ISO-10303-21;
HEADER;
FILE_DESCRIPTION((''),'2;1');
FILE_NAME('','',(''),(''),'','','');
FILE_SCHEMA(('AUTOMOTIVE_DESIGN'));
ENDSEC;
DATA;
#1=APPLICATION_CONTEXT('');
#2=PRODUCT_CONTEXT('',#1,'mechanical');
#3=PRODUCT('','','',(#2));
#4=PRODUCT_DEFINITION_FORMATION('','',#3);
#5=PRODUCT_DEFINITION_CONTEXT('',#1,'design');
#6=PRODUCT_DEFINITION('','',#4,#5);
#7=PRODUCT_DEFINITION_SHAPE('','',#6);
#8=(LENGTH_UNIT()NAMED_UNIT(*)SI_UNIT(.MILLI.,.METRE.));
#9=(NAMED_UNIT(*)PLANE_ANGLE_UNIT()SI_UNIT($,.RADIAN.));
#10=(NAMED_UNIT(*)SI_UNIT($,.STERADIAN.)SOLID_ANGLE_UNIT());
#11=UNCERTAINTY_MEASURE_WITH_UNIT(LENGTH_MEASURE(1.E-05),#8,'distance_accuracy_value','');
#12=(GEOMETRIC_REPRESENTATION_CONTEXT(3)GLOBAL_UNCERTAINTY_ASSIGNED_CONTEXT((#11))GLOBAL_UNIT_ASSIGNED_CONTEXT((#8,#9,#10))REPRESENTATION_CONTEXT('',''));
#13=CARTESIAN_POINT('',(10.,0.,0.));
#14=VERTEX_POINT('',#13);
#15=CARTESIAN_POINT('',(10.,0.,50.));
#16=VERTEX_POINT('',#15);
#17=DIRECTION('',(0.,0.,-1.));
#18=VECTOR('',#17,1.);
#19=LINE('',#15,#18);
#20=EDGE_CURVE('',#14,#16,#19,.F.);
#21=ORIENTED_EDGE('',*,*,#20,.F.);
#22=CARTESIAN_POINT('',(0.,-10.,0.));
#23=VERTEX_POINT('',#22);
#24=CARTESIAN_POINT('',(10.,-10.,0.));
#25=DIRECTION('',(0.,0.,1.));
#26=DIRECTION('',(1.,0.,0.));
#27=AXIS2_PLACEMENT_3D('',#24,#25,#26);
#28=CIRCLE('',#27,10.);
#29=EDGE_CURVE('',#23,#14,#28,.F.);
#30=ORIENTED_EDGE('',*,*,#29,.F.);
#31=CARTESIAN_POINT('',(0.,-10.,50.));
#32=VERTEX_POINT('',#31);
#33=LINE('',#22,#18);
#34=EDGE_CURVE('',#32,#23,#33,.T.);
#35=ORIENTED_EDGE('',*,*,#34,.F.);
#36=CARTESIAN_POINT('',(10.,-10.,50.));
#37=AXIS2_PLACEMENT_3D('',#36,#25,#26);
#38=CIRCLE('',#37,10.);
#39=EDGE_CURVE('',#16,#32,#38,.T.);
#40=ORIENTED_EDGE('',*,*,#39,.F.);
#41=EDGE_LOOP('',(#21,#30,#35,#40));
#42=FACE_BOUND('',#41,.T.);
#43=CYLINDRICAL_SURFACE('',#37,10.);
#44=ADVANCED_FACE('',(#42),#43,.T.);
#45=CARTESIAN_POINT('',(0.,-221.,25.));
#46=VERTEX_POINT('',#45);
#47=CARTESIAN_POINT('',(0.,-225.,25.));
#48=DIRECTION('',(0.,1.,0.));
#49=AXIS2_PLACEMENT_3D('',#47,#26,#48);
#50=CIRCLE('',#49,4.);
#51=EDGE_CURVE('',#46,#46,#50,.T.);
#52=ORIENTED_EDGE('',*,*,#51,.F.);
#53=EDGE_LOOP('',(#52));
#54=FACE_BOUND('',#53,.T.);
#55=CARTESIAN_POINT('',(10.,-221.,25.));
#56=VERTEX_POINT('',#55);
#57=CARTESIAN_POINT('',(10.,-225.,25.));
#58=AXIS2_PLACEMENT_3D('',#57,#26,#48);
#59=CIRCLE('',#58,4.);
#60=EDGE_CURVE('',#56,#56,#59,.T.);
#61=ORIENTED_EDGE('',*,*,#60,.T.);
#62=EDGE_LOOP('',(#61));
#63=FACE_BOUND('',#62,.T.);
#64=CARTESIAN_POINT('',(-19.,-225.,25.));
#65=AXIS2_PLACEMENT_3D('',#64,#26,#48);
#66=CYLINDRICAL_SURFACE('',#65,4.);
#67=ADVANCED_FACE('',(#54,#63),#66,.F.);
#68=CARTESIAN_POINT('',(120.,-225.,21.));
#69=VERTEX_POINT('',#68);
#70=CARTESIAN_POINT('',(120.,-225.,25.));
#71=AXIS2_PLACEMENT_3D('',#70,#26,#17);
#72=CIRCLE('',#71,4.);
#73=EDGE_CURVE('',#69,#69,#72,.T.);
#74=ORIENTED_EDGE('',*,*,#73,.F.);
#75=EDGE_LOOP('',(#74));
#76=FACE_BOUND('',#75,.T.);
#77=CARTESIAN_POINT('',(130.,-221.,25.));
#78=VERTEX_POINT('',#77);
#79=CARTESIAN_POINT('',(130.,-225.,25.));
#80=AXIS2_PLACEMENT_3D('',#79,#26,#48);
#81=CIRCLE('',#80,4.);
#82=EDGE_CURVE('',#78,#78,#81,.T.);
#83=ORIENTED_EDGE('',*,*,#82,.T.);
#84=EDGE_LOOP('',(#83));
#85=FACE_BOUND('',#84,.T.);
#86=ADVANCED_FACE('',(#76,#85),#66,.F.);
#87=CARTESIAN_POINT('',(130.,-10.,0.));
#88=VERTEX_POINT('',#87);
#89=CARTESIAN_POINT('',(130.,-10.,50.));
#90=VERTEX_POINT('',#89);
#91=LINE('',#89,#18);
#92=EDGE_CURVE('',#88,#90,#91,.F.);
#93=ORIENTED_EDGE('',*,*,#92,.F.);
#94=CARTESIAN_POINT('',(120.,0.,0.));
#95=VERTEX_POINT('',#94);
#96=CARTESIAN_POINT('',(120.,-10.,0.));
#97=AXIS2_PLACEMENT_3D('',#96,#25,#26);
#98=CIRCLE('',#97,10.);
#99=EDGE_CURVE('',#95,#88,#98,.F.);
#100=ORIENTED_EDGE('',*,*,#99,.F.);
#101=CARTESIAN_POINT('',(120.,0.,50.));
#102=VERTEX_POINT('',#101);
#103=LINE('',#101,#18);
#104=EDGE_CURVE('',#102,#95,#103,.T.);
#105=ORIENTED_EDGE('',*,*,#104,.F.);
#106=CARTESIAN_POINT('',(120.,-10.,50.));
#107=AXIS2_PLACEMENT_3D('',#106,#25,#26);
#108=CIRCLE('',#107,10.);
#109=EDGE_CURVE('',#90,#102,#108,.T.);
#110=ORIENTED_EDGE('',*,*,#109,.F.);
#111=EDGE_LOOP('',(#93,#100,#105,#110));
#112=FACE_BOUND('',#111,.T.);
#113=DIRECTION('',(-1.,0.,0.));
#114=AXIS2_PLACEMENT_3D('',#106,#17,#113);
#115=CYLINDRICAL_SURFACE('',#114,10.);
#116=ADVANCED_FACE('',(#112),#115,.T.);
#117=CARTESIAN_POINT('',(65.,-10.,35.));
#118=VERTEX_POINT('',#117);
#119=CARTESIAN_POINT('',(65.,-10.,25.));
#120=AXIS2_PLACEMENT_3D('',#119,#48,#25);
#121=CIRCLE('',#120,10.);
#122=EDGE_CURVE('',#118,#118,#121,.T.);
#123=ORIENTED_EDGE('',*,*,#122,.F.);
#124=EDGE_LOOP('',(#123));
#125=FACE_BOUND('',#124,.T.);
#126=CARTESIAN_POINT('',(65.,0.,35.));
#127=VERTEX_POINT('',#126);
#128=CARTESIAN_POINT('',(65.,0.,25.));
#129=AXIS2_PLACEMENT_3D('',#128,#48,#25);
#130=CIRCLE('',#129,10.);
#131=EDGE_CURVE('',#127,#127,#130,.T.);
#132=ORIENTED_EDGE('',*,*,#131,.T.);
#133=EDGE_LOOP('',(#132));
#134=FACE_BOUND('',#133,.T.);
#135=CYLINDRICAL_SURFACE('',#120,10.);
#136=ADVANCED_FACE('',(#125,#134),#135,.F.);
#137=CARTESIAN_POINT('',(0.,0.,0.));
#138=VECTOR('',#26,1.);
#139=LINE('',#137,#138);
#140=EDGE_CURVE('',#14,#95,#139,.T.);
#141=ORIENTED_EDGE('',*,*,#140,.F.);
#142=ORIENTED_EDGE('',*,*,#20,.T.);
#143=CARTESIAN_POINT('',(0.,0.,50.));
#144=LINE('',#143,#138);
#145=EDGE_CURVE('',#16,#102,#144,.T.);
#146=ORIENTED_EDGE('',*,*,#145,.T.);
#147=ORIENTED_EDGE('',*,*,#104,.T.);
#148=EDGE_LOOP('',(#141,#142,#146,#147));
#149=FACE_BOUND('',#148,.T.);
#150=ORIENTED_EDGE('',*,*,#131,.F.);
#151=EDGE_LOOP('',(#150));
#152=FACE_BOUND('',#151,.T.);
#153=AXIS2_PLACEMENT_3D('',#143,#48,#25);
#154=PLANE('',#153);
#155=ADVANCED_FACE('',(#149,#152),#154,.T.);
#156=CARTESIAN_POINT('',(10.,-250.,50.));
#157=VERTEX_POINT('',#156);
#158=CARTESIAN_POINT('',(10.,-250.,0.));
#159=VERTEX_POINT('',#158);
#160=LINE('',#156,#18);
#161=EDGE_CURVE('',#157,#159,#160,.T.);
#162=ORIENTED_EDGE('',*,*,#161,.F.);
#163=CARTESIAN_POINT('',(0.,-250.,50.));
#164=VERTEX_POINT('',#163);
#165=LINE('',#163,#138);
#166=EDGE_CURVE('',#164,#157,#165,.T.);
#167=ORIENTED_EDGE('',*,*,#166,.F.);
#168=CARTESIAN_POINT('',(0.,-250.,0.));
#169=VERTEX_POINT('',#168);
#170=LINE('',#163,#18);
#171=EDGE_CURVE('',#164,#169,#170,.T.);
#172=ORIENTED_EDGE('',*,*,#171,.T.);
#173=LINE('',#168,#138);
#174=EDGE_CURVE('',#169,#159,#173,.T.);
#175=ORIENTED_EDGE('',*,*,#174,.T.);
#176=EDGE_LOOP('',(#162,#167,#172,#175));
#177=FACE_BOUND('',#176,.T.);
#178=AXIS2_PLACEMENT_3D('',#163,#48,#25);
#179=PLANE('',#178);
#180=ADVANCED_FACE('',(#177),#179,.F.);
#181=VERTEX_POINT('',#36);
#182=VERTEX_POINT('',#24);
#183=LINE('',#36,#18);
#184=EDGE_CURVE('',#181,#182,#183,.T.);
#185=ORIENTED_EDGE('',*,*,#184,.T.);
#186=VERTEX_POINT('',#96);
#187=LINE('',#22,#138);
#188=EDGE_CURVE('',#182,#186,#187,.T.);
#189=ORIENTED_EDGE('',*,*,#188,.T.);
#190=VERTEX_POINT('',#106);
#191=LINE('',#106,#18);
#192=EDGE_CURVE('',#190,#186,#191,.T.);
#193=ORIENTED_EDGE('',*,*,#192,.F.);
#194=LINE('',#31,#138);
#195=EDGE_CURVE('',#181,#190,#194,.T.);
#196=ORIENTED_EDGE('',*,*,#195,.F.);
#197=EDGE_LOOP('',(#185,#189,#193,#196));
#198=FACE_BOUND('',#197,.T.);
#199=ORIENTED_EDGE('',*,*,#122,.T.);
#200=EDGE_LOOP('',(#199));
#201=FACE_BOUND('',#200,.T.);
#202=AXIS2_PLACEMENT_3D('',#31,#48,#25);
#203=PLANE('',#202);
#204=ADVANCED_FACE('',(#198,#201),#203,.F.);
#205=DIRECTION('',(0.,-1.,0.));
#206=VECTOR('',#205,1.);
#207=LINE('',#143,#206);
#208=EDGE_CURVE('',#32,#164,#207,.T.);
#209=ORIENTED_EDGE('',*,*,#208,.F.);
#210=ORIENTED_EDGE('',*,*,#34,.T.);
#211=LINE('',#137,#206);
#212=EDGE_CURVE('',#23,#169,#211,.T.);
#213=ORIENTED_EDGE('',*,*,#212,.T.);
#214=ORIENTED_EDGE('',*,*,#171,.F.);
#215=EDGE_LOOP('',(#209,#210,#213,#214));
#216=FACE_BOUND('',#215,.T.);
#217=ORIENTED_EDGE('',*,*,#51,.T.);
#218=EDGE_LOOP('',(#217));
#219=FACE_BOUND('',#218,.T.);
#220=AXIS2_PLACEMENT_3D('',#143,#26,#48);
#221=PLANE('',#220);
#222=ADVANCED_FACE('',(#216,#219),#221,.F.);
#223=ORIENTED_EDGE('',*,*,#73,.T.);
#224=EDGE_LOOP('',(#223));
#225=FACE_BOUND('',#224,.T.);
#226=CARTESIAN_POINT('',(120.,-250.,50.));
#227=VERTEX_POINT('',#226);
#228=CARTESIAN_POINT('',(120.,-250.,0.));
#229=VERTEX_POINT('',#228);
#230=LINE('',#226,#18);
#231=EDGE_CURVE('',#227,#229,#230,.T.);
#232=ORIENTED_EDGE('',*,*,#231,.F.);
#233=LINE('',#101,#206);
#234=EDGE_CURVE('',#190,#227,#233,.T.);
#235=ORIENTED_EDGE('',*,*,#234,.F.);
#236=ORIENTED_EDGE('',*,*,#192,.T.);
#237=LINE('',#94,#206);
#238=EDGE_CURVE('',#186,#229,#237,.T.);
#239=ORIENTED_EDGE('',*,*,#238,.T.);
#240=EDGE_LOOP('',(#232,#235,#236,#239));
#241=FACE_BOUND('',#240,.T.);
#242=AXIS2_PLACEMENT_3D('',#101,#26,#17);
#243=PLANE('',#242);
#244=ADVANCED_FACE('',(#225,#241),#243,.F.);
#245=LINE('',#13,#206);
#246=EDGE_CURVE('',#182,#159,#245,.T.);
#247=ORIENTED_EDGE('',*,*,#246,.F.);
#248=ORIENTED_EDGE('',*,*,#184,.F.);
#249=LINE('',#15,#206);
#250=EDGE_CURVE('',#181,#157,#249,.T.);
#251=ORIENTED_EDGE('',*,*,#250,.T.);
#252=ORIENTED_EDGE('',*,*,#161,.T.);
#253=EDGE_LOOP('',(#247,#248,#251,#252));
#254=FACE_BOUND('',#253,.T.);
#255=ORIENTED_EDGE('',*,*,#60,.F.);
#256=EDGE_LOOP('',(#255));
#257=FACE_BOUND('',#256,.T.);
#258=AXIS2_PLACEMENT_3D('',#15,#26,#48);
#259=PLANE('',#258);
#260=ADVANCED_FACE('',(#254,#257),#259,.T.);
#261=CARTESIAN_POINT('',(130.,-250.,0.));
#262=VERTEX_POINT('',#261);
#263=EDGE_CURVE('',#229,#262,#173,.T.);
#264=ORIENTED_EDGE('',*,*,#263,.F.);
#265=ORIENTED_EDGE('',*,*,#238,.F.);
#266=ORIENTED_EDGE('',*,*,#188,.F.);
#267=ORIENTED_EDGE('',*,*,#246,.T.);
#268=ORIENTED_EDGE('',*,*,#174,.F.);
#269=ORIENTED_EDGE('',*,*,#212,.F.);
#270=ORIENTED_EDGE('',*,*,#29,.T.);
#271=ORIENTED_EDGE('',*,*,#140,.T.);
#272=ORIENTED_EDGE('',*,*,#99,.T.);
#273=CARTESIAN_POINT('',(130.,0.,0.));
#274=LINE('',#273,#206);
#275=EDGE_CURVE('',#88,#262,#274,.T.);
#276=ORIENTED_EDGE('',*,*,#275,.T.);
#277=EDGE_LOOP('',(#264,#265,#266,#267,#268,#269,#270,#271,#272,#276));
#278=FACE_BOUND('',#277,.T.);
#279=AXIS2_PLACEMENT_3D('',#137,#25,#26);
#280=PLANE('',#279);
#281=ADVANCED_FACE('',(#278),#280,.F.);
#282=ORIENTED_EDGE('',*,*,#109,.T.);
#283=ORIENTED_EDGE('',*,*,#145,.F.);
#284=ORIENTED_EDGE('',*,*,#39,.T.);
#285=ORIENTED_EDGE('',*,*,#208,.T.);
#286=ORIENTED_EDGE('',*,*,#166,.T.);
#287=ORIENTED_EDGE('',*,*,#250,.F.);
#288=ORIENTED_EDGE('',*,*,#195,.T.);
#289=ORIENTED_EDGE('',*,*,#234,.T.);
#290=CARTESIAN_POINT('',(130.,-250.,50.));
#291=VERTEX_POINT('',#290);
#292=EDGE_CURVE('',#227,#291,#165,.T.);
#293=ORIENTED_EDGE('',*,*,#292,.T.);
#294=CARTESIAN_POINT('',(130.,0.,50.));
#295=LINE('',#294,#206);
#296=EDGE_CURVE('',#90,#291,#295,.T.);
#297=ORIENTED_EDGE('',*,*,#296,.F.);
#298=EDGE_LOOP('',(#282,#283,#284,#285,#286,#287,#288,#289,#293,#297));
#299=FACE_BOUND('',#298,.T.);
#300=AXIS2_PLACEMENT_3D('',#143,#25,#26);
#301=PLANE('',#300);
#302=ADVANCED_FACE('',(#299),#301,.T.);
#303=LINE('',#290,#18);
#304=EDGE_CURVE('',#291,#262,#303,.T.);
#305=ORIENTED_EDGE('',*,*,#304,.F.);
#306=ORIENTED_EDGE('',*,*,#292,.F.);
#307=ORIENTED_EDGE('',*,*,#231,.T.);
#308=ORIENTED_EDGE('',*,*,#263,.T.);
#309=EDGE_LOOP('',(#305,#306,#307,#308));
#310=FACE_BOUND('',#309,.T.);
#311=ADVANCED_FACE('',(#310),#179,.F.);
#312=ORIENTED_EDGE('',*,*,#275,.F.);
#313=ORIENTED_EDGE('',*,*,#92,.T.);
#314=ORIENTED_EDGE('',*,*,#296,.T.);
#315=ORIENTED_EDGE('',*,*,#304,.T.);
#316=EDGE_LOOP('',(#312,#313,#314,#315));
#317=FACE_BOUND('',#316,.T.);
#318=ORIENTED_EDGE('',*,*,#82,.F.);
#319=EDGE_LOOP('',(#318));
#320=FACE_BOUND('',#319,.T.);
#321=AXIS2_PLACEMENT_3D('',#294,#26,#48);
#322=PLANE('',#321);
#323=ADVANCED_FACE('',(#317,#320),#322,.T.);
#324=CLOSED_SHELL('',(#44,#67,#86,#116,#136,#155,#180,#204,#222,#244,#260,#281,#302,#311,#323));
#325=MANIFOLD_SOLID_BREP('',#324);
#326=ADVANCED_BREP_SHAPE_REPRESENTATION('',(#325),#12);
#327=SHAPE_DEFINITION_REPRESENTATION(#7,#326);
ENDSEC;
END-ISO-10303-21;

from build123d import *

# Parameters (mm, degrees)
SKETCH1_W           = 110
SKETCH1_H           = 10
SKETCH1_W_2         = 10
SKETCH1_H_2         = 250
BOSS_EXTRUDE1_DEPTH = 50
FILLET1_R           = 10
SKETCH2_R           = 4
CUT_EXTRUDE1_DEPTH  = 149
SKETCH3_R           = 10
CUT_EXTRUDE2_DEPTH  = 10


with BuildPart() as part:
    # Sketch1 → Boss-Extrude1 (new body)
    with BuildSketch(Plane.XY):
        with Locations((65, -5)):
            Rectangle(SKETCH1_W, SKETCH1_H)
        with Locations((5, -125)):
            Rectangle(SKETCH1_W_2, SKETCH1_H_2)
        Polygon((130, 0), (120, 0), (120, -10), (120, -250), (130, -250), align=None)
    extrude(amount=BOSS_EXTRUDE1_DEPTH)

    # Fillet1
    fillet1_edges = [part.edges().sort_by_distance(p)[0] for p in [
        (0, 0, 25),
        (130, 0, 25),
    ]]
    fillet(fillet1_edges, radius=FILLET1_R)

    # Sketch2 → Cut-Extrude1 (cut)
    with BuildSketch(Plane(origin=(130, 0, 0), x_dir=(0, 0, -1), z_dir=(1, 0, 0))):
        with Locations(Location((-25, -225, 0), (0, 0, 90))):
            Circle(SKETCH2_R)
    extrude(amount=-CUT_EXTRUDE1_DEPTH, mode=Mode.SUBTRACT)

    # Sketch3 → Cut-Extrude2 (cut)
    with BuildSketch(Plane(origin=(0, 0, 0), x_dir=(1, 0, 0), z_dir=(0, 1, 0))):
        with Locations(Location((65, -25, 0), (0, 0, 270))):
            Circle(SKETCH3_R)
    extrude(amount=-CUT_EXTRUDE2_DEPTH, mode=Mode.SUBTRACT)


solid = part.part
